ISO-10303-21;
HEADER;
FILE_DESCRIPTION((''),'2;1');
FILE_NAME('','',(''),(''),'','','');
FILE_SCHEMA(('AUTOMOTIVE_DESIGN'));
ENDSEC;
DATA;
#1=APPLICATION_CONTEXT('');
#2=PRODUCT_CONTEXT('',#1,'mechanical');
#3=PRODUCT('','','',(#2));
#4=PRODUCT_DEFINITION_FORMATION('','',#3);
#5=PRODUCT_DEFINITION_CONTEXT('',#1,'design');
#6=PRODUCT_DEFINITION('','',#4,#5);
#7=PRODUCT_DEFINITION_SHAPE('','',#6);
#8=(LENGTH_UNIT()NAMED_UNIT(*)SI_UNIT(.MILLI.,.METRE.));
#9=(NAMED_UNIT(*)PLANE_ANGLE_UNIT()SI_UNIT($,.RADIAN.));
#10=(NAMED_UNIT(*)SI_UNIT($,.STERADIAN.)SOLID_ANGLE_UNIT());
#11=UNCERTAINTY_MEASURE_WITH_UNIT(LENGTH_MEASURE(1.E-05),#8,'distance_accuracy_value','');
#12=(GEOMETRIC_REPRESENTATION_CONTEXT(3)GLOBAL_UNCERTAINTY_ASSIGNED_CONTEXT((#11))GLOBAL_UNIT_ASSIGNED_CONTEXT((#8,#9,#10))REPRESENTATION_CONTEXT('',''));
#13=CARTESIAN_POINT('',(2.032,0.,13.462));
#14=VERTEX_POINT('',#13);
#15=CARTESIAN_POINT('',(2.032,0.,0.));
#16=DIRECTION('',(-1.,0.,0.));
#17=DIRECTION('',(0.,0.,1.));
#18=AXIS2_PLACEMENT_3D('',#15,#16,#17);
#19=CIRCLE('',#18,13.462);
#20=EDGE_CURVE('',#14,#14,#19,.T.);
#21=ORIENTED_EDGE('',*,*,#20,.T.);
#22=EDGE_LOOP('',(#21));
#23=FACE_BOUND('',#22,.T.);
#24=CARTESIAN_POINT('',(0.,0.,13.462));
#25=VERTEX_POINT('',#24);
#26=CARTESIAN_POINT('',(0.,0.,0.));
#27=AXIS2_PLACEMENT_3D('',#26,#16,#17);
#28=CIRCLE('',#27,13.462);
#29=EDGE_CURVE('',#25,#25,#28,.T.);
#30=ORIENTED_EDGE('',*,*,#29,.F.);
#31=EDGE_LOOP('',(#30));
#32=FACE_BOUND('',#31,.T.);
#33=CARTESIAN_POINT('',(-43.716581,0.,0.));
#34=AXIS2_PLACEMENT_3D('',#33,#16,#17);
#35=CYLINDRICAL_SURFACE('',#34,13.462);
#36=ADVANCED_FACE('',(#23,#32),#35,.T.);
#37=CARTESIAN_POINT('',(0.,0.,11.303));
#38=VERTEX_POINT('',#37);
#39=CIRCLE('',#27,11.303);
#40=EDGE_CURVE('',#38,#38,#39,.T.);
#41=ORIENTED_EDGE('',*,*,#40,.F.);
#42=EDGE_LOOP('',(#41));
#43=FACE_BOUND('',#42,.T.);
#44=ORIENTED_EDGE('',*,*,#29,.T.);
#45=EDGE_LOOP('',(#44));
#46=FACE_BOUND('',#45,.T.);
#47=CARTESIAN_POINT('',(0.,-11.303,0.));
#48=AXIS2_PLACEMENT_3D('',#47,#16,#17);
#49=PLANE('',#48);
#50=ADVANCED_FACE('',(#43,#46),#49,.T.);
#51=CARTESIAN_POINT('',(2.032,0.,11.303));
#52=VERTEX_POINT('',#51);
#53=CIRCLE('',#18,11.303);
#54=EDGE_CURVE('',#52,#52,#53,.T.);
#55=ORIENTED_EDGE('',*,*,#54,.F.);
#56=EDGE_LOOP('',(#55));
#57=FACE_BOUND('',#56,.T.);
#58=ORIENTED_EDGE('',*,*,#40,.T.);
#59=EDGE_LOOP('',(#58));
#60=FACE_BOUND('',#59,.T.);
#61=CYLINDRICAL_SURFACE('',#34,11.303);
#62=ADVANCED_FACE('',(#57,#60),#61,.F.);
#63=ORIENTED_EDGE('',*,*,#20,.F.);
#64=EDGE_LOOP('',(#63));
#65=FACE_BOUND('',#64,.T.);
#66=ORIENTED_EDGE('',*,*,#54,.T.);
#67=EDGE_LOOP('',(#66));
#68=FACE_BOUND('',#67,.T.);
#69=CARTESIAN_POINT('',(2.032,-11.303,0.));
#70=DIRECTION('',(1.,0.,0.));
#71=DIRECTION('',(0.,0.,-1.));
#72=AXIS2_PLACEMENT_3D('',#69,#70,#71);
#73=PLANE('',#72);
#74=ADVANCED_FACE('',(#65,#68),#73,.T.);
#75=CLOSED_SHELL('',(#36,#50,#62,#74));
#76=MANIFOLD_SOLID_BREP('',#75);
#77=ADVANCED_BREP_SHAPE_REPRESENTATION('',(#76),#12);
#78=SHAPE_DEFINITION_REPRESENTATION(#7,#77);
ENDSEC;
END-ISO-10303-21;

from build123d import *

# Parameters (mm, degrees)
SKETCH1_W = 2.032
SKETCH1_H = 2.159


with BuildPart() as part:
    # Sketch1 → Revolve1 (revolve)
    with BuildSketch(Plane.XY, mode=Mode.PRIVATE) as revolve1_sk:
        with Locations((1.016, -12.3825)):
            Rectangle(SKETCH1_W, SKETCH1_H)
    revolve(revolve1_sk.sketch.rotate(Axis((-43.716580756, 0, 0), (1, 0, 0)), 270), axis=Axis((-43.716580756, 0, 0), (1, 0, 0)))  # turned: the seam where the file's is


solid = part.part
